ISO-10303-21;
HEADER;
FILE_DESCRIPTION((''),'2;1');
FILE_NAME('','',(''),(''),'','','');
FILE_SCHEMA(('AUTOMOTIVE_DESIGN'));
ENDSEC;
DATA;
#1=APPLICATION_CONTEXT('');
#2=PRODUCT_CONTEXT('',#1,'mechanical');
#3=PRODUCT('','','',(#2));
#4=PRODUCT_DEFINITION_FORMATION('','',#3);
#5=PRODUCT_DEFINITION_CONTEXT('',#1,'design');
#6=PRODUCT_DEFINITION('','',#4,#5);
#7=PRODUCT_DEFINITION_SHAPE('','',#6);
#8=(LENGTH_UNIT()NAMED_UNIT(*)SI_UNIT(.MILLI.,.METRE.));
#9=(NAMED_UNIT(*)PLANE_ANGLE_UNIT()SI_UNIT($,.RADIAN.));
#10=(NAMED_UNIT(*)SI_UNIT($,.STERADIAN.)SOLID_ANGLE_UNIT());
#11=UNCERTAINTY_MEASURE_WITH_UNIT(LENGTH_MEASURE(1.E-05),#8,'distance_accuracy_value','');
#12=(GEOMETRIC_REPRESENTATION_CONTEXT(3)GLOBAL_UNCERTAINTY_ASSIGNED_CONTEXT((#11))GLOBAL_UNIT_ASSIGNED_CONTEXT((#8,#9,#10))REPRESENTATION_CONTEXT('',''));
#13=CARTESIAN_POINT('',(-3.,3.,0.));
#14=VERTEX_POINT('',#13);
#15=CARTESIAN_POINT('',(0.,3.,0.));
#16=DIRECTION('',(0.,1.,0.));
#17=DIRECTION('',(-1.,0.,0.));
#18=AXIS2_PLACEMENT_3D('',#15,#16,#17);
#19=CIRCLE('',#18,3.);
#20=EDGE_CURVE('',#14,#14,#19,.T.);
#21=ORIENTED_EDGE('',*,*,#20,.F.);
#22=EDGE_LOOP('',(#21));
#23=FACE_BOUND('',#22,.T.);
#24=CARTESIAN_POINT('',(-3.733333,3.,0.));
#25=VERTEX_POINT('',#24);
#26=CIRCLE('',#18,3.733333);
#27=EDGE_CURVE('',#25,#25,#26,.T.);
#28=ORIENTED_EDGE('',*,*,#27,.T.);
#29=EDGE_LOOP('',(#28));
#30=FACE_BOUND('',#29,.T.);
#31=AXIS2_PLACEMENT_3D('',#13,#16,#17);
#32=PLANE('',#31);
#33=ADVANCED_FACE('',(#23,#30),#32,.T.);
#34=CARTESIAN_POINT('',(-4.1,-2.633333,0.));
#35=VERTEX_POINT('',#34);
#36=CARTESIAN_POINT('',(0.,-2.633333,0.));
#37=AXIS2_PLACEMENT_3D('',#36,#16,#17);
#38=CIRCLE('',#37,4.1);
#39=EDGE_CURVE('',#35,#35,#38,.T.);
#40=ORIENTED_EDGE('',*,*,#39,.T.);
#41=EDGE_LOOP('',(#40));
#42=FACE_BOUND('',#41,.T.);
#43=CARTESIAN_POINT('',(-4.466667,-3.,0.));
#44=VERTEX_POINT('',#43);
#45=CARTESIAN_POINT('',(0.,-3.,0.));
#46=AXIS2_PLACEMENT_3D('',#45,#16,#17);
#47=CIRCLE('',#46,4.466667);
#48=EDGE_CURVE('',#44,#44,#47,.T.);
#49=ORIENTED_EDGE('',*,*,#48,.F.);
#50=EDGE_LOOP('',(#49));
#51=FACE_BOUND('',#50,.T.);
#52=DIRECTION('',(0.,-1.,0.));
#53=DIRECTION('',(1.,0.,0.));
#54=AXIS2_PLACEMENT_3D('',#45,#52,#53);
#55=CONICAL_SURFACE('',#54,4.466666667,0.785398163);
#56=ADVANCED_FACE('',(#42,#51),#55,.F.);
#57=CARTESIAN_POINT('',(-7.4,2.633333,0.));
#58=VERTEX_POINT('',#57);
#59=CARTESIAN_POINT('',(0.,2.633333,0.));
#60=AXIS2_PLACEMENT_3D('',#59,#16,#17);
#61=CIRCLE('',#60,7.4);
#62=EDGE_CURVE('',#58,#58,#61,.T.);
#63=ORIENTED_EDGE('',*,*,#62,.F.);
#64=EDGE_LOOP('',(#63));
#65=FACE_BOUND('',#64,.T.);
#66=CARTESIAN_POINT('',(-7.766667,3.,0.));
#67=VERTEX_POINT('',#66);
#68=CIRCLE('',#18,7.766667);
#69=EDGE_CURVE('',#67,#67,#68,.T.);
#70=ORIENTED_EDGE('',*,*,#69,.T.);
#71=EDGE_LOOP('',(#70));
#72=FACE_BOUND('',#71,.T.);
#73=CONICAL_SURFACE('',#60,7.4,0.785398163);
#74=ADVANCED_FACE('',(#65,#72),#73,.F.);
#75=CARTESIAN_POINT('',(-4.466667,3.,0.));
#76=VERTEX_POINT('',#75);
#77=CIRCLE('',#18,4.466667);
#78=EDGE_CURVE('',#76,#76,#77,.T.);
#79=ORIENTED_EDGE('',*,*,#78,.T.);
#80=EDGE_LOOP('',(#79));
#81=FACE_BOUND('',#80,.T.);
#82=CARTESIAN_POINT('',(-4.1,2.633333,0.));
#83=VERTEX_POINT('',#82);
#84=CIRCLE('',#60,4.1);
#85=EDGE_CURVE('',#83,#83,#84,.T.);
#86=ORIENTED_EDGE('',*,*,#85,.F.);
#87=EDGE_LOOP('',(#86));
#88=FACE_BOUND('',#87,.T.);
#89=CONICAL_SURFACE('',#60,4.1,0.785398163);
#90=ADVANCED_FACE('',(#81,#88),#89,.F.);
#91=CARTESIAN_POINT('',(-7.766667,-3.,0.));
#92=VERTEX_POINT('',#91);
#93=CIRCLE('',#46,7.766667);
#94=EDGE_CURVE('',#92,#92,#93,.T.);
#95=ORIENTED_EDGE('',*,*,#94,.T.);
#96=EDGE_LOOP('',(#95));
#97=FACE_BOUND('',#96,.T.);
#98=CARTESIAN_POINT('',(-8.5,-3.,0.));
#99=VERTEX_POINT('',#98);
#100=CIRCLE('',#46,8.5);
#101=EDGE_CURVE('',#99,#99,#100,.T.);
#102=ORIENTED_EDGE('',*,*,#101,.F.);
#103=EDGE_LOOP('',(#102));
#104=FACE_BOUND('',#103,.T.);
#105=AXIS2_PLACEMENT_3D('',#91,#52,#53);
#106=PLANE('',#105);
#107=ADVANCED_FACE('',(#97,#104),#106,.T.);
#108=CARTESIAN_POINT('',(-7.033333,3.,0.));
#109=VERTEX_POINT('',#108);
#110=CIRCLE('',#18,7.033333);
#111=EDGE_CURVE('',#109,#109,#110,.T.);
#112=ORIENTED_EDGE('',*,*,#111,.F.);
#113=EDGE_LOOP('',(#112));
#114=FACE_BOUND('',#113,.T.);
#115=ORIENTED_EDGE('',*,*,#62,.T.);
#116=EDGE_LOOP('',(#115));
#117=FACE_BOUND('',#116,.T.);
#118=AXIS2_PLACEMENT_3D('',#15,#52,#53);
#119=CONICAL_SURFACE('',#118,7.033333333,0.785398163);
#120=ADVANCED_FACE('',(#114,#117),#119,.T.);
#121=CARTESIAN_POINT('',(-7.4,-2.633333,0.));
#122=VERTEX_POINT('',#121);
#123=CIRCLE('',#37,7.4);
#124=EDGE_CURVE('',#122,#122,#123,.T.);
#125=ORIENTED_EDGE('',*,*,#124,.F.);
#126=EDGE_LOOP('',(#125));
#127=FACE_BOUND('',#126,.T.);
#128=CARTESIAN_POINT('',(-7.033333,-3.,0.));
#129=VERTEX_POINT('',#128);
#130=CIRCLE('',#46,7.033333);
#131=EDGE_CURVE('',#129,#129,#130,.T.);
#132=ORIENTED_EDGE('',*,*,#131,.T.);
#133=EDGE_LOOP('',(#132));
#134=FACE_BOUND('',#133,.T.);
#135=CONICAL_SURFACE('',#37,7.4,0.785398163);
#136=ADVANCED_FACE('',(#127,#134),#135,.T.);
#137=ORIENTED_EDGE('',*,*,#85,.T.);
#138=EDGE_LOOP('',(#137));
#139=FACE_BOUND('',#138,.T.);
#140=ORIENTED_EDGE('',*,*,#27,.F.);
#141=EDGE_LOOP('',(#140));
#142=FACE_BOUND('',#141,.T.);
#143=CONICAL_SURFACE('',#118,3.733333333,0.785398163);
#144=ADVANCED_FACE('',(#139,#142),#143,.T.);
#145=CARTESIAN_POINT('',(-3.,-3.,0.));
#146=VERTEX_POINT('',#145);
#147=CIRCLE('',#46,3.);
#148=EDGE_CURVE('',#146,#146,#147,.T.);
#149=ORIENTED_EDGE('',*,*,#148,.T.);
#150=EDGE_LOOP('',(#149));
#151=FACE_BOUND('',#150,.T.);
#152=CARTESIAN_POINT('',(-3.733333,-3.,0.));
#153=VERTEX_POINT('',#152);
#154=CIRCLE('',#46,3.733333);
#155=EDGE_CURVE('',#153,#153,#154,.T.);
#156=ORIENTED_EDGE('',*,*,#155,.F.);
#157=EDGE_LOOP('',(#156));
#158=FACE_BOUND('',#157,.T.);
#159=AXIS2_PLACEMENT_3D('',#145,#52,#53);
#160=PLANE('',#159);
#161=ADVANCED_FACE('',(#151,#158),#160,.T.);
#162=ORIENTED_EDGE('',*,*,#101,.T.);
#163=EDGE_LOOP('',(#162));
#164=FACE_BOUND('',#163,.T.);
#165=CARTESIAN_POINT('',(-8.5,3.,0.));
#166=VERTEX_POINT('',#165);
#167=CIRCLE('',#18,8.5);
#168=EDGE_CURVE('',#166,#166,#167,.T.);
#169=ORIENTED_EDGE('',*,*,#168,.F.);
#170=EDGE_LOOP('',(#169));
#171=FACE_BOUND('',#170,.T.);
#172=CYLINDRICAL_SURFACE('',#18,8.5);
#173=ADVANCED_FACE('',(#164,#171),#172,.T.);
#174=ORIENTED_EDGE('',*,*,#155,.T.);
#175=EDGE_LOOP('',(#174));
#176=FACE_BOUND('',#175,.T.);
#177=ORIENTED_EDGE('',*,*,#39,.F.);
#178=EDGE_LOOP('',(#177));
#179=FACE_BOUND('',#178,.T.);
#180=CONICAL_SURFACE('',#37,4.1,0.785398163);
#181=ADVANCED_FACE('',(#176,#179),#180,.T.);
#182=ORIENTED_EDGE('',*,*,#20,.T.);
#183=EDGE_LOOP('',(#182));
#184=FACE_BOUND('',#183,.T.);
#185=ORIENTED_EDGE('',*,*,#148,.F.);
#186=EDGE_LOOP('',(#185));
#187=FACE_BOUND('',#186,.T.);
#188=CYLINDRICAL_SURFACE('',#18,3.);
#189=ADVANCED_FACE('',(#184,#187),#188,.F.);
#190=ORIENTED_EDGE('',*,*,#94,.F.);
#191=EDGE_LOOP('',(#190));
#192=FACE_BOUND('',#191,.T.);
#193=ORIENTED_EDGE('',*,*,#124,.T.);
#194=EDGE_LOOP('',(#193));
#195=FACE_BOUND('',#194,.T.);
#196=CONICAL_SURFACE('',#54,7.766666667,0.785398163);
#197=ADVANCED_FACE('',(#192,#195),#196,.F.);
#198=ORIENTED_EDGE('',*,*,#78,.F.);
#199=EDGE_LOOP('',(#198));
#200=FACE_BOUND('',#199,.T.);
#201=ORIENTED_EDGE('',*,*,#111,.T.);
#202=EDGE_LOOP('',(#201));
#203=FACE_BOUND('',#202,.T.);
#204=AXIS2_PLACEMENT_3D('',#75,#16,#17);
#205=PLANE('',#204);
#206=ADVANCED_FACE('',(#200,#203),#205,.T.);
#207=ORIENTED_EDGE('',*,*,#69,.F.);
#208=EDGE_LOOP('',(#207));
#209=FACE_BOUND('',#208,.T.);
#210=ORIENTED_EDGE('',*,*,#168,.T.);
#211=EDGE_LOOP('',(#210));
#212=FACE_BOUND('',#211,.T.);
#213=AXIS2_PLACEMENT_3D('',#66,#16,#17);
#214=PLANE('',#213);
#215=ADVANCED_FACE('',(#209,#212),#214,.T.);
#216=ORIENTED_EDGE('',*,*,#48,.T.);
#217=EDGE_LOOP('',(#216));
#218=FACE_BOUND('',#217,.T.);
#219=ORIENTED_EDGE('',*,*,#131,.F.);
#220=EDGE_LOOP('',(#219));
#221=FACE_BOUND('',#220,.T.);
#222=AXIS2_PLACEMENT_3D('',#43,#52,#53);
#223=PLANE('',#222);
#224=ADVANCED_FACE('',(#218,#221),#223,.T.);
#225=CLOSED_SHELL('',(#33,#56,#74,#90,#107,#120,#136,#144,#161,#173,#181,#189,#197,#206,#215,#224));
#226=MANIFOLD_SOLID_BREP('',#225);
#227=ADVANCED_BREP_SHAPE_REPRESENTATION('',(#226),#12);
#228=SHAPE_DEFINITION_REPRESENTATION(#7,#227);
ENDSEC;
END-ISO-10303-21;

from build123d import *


with BuildPart() as part:
    # Sketch1 → Revolve1 (revolve)
    with BuildSketch(Plane.XY):
        Polygon((-3, 3), (-3.733333333, 3), (-4.1, 2.633333333), (-4.466666667, 3), (-7.033333333, 3), (-7.4, 2.633333333), (-7.766666667, 3), (-8.5, 3), (-8.5, -3), (-7.766666667, -3), (-7.4, -2.633333333), (-7.033333333, -3), (-4.466666667, -3), (-4.1, -2.633333333), (-3.733333333, -3), (-3, -3), align=None)
    revolve(axis=Axis((0, 3, 0), (0, -1, 0)))


solid = part.part
